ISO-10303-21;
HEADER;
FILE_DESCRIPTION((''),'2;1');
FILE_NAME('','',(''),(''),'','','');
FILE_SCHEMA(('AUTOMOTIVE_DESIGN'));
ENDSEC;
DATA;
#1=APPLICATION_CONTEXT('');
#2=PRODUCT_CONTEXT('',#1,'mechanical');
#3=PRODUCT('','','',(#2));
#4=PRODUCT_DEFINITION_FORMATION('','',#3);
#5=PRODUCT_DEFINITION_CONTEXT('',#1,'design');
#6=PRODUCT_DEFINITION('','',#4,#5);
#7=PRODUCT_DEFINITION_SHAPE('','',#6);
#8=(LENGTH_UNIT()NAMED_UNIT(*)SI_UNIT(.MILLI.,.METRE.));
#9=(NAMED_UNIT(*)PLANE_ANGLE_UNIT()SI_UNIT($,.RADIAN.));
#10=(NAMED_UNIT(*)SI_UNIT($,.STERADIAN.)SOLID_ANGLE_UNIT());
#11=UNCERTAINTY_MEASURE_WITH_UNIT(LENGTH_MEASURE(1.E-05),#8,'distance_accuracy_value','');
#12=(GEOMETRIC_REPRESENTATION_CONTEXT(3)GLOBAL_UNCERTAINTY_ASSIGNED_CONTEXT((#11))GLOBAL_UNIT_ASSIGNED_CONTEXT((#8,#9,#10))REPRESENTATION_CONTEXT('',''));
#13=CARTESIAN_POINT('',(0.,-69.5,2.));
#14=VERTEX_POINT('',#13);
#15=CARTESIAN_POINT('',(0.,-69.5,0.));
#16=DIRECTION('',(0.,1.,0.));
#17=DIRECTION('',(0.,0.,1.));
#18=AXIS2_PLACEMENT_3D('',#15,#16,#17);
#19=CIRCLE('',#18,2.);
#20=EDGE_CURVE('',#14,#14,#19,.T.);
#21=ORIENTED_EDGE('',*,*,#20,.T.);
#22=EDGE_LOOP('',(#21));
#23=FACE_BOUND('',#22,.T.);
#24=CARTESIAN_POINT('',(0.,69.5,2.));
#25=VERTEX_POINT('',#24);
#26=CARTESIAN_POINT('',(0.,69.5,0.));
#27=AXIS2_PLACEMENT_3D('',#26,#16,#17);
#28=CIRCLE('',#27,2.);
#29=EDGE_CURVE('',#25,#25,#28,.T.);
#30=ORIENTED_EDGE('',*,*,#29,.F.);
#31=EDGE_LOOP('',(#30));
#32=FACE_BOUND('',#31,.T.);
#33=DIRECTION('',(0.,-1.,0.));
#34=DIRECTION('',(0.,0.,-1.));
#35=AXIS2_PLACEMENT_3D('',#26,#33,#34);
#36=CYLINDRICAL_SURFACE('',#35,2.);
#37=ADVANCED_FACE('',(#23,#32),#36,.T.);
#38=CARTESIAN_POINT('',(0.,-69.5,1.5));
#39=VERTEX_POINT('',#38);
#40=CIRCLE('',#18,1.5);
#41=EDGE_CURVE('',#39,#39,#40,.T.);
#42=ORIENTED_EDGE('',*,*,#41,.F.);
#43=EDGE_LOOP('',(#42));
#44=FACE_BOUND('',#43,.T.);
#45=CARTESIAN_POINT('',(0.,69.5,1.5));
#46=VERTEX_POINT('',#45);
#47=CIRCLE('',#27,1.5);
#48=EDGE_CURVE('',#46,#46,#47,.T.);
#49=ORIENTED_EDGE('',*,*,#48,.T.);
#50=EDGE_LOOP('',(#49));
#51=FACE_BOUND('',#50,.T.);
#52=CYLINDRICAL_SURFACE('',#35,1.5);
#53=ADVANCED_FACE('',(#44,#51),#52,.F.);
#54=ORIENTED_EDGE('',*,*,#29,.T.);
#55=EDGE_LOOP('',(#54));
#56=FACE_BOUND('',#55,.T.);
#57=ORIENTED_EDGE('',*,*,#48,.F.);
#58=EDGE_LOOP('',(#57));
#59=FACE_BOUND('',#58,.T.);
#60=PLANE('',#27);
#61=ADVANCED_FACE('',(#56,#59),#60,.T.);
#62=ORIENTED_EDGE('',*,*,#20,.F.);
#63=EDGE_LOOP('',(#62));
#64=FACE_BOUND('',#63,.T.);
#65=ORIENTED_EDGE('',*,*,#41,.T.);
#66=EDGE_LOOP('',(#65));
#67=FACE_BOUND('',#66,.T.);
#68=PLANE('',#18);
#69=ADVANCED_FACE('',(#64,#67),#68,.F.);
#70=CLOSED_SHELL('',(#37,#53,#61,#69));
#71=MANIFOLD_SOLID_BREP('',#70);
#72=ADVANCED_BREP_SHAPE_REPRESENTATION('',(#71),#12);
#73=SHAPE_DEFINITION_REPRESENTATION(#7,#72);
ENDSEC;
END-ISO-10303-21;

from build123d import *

# Parameters (mm, degrees)
SKETCH1_R           = 2
SKETCH1_R_2         = 1.5
BOSS_EXTRUDE1_DEPTH = 69.5


with BuildPart() as part:
    # Sketch1 → Boss-Extrude1 (new body, symmetric)
    with BuildSketch(Plane(origin=(0, 0, 0), x_dir=(1, 0, 0), z_dir=(0, 1, 0))):
        Circle(SKETCH1_R)
        Circle(SKETCH1_R_2, mode=Mode.SUBTRACT)
    extrude(amount=BOSS_EXTRUDE1_DEPTH, both=True)


solid = part.part
